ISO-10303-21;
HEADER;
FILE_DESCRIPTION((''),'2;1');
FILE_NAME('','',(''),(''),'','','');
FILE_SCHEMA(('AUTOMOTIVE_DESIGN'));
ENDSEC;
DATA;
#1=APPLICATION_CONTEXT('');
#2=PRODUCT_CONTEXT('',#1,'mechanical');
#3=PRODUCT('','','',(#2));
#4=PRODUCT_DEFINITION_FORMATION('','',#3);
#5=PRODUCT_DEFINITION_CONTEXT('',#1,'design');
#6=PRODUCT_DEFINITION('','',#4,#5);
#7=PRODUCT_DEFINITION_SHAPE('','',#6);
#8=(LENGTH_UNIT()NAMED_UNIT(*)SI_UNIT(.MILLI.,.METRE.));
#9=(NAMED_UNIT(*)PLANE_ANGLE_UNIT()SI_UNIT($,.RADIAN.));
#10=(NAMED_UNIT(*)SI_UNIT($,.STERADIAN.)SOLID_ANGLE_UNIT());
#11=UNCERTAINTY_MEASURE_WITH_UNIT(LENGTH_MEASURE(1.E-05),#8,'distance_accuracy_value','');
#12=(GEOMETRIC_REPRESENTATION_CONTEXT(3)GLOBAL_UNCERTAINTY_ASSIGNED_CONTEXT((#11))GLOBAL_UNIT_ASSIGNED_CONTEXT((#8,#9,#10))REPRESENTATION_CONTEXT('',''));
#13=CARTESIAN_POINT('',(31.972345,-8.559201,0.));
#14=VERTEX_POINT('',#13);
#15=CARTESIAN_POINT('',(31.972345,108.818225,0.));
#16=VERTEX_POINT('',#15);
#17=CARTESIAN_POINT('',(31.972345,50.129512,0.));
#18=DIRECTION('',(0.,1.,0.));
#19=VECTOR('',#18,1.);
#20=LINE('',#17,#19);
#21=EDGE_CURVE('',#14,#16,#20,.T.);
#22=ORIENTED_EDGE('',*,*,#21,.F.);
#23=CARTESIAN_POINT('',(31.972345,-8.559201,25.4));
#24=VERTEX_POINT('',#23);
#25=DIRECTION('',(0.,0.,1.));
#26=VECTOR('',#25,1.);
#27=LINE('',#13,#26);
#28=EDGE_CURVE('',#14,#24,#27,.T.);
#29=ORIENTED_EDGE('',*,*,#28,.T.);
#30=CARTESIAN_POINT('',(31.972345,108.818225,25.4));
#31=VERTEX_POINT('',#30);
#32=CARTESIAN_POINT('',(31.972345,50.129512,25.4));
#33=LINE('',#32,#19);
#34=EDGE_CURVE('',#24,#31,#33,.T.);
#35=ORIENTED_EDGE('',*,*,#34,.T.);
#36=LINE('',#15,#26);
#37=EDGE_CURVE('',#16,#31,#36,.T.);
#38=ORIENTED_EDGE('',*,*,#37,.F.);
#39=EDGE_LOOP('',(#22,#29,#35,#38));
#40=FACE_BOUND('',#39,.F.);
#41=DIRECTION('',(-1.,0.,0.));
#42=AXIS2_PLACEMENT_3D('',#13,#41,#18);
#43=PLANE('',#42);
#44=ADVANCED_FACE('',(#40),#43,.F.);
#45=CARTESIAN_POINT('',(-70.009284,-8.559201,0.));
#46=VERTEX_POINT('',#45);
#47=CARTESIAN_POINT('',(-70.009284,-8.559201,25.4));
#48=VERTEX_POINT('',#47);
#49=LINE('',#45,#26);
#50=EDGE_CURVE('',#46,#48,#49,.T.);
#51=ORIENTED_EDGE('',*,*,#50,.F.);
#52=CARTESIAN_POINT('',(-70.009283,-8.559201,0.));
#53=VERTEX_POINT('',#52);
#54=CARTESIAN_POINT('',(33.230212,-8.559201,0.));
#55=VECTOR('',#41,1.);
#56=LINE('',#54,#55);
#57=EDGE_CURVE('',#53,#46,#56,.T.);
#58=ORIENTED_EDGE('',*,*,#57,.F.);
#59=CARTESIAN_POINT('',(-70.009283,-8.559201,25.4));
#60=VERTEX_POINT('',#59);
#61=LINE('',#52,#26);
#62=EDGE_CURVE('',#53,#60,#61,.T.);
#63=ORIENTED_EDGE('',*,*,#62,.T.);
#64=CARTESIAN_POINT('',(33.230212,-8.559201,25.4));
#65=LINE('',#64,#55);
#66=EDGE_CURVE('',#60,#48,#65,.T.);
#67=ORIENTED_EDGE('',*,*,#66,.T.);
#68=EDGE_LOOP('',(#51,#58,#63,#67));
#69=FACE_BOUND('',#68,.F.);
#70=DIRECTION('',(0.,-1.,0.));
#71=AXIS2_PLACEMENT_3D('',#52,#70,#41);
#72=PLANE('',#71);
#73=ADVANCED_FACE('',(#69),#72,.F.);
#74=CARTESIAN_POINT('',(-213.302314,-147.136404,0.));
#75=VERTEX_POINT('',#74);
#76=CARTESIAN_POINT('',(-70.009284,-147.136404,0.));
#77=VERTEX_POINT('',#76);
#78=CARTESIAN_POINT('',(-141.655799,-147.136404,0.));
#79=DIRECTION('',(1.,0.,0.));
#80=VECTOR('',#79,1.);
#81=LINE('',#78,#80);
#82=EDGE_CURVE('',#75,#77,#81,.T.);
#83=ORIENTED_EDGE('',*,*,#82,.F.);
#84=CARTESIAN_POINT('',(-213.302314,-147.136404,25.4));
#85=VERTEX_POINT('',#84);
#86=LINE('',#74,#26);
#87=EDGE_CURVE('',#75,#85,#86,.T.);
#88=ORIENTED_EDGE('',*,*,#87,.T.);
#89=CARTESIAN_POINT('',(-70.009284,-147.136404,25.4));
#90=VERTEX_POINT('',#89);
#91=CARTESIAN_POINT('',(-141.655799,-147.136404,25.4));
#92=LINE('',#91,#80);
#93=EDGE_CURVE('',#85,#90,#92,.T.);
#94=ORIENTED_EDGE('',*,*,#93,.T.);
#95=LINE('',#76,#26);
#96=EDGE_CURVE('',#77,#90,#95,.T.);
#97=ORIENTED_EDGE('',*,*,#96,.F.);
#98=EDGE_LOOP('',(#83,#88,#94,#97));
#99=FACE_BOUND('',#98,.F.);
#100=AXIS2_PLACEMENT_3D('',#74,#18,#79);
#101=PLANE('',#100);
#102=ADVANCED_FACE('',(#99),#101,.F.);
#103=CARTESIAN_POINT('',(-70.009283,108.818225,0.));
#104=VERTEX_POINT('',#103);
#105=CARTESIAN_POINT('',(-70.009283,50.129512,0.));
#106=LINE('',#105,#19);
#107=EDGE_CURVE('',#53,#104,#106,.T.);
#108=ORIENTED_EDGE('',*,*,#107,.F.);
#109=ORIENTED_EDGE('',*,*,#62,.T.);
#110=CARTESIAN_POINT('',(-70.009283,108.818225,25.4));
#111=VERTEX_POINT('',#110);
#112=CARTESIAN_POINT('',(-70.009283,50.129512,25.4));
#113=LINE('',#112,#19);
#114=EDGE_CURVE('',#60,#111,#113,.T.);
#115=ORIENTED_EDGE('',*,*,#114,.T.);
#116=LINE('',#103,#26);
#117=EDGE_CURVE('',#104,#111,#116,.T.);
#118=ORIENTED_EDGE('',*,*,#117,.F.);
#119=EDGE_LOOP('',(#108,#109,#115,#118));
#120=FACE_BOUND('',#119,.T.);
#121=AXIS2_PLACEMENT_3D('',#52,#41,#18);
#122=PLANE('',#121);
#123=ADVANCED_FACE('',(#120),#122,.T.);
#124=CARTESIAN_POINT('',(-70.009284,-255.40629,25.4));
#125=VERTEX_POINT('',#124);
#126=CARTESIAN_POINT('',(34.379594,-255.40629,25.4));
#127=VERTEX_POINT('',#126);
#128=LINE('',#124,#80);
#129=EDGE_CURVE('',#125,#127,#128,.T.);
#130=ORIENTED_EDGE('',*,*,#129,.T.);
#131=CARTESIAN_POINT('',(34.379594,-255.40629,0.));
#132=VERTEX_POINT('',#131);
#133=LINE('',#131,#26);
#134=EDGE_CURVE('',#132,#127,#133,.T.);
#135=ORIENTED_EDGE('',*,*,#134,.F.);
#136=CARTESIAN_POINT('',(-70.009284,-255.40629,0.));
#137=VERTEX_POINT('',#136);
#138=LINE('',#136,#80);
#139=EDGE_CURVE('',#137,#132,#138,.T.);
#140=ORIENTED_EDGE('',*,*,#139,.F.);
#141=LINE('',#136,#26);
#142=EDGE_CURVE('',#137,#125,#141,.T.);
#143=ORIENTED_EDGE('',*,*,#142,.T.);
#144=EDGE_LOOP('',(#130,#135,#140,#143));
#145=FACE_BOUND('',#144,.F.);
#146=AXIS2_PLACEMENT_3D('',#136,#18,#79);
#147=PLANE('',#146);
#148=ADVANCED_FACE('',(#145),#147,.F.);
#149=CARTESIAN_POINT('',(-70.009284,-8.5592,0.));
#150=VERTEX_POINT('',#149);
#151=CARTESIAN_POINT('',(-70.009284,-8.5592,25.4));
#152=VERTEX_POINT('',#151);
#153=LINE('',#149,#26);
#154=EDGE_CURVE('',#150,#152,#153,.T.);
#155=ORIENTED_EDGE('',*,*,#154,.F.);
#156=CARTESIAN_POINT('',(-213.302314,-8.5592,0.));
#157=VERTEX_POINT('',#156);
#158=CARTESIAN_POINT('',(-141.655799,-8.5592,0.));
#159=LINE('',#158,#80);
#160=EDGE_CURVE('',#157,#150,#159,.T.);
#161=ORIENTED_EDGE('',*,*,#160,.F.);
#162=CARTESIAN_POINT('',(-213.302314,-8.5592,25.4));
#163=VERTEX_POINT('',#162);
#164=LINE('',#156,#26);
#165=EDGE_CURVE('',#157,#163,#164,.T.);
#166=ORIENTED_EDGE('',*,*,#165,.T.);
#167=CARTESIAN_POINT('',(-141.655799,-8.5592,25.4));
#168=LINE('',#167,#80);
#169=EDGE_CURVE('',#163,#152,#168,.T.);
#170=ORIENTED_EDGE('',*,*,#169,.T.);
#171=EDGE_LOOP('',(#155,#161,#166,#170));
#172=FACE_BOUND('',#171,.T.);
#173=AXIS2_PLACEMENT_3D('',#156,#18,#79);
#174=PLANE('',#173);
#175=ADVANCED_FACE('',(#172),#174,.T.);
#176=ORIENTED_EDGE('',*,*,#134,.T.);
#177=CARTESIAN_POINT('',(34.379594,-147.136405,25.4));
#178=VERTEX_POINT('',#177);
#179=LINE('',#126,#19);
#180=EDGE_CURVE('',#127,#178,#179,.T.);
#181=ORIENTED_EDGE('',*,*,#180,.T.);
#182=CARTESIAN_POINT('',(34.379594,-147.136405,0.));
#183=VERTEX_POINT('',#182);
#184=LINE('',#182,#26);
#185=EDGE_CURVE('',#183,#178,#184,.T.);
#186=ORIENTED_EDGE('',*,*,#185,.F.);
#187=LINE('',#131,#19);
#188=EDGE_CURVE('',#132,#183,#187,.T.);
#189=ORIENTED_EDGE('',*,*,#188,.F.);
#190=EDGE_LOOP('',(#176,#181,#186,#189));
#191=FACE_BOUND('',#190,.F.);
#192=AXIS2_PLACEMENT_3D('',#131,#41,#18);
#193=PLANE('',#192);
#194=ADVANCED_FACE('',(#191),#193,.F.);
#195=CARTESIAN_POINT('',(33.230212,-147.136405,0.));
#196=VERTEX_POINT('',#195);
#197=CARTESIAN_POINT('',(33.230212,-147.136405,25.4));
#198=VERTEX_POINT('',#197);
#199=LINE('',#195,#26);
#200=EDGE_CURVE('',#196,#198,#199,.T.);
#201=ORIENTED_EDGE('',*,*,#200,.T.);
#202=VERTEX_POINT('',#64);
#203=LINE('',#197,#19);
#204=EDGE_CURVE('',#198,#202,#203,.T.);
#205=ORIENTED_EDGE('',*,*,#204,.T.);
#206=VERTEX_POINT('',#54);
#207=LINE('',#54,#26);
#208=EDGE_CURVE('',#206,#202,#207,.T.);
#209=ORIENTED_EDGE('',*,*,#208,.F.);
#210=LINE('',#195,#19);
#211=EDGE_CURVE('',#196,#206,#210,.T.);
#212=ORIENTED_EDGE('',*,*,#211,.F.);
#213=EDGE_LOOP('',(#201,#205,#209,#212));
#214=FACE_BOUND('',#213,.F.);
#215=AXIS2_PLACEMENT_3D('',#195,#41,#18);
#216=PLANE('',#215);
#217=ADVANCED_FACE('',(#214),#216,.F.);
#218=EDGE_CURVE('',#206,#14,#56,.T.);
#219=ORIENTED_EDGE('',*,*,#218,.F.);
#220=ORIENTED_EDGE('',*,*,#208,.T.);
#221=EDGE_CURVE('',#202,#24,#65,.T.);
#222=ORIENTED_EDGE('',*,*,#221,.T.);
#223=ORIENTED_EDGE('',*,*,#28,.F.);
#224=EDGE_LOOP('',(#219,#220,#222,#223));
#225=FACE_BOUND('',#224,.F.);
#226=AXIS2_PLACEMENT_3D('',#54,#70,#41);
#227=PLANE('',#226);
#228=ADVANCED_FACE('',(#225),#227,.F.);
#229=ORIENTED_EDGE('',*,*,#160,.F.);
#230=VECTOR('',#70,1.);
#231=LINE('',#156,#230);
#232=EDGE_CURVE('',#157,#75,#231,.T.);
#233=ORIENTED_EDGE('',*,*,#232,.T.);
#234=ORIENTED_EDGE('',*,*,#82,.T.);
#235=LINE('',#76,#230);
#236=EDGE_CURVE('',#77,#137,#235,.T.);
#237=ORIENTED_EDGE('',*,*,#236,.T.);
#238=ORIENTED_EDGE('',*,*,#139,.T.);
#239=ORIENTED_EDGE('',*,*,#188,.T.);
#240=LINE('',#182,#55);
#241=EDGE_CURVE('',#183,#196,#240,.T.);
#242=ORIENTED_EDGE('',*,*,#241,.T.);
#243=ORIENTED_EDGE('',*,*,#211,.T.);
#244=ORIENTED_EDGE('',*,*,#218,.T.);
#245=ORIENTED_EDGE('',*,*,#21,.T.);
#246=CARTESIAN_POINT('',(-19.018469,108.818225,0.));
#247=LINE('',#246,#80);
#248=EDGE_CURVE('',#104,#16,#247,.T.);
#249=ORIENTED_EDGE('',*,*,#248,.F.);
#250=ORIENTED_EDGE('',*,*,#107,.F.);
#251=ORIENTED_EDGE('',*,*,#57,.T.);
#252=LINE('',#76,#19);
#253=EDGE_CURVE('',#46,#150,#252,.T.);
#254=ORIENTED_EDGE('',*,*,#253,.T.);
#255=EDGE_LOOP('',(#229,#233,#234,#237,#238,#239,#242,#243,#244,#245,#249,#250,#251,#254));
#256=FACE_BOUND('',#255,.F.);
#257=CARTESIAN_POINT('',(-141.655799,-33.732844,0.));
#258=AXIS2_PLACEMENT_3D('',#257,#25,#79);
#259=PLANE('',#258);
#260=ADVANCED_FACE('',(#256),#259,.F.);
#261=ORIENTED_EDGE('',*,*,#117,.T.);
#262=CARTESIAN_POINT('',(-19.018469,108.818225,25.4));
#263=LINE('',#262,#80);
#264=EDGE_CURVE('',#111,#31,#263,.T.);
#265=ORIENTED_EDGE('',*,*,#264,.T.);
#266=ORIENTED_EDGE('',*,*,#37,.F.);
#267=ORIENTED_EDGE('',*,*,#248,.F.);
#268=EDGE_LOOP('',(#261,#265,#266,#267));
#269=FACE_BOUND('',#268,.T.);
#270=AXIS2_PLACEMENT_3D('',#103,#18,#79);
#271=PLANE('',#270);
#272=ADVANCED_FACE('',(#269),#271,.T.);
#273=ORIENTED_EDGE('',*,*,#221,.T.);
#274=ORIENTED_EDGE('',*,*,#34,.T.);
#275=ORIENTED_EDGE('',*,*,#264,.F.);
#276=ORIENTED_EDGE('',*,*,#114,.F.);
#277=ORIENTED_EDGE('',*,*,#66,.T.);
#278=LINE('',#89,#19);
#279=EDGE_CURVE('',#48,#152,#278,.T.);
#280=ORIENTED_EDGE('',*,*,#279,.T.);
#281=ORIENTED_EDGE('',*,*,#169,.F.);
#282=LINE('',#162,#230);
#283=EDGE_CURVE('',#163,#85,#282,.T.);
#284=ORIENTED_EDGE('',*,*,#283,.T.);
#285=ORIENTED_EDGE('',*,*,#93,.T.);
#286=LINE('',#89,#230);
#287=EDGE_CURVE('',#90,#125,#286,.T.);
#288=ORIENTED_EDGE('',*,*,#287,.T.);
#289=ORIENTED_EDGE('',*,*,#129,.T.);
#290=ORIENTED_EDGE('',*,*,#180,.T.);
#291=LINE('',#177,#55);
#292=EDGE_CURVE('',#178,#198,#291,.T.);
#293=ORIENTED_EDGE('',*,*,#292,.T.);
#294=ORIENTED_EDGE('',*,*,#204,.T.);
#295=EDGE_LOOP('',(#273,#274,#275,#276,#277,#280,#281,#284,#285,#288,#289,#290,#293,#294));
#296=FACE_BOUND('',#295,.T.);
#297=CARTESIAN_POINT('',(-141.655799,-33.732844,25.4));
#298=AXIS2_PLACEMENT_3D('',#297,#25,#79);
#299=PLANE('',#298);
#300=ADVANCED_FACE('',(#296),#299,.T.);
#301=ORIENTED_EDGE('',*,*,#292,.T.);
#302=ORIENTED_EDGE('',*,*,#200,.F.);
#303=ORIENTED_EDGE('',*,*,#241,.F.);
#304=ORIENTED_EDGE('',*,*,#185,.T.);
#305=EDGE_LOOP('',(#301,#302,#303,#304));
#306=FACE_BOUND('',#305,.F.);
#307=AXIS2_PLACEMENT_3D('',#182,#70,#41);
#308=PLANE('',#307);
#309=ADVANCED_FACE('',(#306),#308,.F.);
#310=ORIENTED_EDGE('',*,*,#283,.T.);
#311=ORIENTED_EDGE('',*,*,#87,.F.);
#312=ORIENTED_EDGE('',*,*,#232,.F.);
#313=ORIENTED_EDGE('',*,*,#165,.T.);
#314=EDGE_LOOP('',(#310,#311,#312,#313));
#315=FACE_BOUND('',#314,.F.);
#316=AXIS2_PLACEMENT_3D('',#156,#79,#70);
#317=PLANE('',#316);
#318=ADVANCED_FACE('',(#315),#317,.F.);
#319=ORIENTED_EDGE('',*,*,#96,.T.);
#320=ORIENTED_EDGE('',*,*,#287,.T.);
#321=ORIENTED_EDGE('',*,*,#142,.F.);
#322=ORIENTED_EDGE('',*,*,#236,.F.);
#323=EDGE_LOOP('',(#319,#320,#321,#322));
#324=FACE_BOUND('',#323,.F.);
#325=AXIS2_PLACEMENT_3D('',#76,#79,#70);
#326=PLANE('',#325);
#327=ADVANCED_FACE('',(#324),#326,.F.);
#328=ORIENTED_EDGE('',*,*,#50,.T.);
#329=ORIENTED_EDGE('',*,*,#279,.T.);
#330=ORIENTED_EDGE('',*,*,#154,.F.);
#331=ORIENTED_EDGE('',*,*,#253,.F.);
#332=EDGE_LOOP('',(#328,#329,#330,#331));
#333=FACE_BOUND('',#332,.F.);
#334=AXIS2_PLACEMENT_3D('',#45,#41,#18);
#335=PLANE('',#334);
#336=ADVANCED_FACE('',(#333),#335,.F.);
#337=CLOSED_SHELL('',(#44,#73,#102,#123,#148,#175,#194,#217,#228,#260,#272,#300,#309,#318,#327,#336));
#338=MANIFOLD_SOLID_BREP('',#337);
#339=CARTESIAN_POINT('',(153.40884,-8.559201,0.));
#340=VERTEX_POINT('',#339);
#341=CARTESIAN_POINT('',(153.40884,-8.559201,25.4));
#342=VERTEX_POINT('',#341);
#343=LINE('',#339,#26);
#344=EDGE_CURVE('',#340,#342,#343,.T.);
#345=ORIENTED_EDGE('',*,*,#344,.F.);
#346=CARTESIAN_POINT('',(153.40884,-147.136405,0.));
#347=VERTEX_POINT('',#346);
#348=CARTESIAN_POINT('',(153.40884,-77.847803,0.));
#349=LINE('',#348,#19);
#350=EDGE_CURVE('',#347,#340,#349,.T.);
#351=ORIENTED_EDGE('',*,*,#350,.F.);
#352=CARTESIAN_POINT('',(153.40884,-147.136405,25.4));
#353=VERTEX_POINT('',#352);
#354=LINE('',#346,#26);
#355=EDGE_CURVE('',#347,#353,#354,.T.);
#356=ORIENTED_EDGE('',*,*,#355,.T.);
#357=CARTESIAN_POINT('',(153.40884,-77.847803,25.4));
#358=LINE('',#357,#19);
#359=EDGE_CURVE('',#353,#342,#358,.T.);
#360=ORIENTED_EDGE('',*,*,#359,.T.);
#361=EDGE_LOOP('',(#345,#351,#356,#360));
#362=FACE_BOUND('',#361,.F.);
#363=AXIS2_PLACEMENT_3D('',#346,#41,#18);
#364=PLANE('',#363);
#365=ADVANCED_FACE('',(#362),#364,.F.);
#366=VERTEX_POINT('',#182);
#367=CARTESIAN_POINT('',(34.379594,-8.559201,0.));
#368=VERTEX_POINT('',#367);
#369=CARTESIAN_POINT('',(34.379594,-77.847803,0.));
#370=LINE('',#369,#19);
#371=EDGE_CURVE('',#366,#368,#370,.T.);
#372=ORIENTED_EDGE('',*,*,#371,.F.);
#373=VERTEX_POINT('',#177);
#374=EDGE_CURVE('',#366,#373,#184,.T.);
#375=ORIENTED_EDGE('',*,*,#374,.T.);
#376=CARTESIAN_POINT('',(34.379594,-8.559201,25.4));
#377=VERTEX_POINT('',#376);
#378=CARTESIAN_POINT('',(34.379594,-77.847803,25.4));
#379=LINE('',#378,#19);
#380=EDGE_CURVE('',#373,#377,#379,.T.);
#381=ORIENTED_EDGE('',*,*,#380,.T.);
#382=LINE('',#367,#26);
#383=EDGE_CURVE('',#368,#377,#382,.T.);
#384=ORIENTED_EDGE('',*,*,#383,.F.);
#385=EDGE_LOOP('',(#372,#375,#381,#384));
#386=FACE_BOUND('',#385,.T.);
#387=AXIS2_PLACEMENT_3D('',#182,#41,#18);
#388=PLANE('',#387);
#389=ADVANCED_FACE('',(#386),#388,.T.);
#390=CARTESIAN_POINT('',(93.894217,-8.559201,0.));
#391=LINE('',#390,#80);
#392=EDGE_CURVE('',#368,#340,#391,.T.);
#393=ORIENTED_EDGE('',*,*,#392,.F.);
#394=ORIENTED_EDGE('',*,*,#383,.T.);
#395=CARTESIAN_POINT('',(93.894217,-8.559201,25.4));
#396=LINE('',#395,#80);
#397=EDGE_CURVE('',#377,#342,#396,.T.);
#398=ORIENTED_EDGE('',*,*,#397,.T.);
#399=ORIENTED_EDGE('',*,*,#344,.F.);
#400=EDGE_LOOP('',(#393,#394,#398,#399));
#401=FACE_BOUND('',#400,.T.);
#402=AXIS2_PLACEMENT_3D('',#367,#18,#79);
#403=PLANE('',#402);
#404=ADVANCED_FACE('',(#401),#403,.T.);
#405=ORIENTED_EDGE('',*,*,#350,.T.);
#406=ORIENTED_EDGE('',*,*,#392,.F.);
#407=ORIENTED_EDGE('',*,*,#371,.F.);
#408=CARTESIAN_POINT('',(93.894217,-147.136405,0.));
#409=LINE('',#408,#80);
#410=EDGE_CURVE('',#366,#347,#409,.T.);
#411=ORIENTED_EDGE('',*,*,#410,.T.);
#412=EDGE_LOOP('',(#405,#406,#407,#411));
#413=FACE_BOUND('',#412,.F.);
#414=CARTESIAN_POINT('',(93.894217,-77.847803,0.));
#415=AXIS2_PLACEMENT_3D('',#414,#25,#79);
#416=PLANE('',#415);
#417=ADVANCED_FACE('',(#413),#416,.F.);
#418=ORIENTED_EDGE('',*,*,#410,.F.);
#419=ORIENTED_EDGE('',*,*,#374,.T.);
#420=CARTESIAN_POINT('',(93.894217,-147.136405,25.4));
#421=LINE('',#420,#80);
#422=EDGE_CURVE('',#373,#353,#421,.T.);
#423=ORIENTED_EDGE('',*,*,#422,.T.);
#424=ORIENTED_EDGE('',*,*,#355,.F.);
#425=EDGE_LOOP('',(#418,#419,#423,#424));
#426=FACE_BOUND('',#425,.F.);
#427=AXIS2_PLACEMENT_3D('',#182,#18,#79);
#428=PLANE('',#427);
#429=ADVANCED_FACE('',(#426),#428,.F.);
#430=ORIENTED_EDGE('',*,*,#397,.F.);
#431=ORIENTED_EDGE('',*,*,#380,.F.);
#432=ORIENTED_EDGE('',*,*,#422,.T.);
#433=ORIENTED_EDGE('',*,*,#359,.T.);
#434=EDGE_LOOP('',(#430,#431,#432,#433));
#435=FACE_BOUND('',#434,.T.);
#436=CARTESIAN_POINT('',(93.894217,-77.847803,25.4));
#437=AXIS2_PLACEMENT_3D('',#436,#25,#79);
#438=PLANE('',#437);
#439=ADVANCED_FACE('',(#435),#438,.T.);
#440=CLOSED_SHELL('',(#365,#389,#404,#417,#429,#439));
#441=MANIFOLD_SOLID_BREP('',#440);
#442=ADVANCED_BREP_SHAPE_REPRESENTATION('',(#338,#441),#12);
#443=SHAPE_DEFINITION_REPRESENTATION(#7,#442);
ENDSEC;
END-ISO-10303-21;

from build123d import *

# Parameters (mm, degrees)
F0_W     = 143.29303
F0_H     = 50.347287
F0_W_2   = 119.029246
F0_H_2   = 138.577204
F0_H_3   = 88.229917
F0_W_3   = 101.981629
F0_H_4   = 117.377427
F1_DEPTH = 25.4


with BuildPart() as f1:
    # F0 (on Top) → F1 (new body)
    with BuildSketch(Plane.XY):
        with Locations((-141.655799, -33.732844)):
            Rectangle(F0_W, F0_H)
        with Locations((93.894217, -77.847803)):
            Rectangle(F0_W_2, F0_H_2)
        with Locations((-141.655799, -103.021446)):
            Rectangle(F0_W, F0_H_3)
        Polygon((-70.009284, -8.559201), (-70.009284, -58.906488), (-70.009284, -147.136405), (33.230212, -147.136405), (33.230212, -8.559201), (31.972345, -8.559201), align=None)
        with Locations((-19.018469, 50.129512)):
            Rectangle(F0_W_3, F0_H_4)
        Polygon((33.230212, -147.136405), (-70.009284, -147.136405), (-70.009284, -255.40629), (34.379594, -255.40629), (34.379594, -147.136405), align=None)
    extrude(amount=F1_DEPTH)


solid = f1.part
